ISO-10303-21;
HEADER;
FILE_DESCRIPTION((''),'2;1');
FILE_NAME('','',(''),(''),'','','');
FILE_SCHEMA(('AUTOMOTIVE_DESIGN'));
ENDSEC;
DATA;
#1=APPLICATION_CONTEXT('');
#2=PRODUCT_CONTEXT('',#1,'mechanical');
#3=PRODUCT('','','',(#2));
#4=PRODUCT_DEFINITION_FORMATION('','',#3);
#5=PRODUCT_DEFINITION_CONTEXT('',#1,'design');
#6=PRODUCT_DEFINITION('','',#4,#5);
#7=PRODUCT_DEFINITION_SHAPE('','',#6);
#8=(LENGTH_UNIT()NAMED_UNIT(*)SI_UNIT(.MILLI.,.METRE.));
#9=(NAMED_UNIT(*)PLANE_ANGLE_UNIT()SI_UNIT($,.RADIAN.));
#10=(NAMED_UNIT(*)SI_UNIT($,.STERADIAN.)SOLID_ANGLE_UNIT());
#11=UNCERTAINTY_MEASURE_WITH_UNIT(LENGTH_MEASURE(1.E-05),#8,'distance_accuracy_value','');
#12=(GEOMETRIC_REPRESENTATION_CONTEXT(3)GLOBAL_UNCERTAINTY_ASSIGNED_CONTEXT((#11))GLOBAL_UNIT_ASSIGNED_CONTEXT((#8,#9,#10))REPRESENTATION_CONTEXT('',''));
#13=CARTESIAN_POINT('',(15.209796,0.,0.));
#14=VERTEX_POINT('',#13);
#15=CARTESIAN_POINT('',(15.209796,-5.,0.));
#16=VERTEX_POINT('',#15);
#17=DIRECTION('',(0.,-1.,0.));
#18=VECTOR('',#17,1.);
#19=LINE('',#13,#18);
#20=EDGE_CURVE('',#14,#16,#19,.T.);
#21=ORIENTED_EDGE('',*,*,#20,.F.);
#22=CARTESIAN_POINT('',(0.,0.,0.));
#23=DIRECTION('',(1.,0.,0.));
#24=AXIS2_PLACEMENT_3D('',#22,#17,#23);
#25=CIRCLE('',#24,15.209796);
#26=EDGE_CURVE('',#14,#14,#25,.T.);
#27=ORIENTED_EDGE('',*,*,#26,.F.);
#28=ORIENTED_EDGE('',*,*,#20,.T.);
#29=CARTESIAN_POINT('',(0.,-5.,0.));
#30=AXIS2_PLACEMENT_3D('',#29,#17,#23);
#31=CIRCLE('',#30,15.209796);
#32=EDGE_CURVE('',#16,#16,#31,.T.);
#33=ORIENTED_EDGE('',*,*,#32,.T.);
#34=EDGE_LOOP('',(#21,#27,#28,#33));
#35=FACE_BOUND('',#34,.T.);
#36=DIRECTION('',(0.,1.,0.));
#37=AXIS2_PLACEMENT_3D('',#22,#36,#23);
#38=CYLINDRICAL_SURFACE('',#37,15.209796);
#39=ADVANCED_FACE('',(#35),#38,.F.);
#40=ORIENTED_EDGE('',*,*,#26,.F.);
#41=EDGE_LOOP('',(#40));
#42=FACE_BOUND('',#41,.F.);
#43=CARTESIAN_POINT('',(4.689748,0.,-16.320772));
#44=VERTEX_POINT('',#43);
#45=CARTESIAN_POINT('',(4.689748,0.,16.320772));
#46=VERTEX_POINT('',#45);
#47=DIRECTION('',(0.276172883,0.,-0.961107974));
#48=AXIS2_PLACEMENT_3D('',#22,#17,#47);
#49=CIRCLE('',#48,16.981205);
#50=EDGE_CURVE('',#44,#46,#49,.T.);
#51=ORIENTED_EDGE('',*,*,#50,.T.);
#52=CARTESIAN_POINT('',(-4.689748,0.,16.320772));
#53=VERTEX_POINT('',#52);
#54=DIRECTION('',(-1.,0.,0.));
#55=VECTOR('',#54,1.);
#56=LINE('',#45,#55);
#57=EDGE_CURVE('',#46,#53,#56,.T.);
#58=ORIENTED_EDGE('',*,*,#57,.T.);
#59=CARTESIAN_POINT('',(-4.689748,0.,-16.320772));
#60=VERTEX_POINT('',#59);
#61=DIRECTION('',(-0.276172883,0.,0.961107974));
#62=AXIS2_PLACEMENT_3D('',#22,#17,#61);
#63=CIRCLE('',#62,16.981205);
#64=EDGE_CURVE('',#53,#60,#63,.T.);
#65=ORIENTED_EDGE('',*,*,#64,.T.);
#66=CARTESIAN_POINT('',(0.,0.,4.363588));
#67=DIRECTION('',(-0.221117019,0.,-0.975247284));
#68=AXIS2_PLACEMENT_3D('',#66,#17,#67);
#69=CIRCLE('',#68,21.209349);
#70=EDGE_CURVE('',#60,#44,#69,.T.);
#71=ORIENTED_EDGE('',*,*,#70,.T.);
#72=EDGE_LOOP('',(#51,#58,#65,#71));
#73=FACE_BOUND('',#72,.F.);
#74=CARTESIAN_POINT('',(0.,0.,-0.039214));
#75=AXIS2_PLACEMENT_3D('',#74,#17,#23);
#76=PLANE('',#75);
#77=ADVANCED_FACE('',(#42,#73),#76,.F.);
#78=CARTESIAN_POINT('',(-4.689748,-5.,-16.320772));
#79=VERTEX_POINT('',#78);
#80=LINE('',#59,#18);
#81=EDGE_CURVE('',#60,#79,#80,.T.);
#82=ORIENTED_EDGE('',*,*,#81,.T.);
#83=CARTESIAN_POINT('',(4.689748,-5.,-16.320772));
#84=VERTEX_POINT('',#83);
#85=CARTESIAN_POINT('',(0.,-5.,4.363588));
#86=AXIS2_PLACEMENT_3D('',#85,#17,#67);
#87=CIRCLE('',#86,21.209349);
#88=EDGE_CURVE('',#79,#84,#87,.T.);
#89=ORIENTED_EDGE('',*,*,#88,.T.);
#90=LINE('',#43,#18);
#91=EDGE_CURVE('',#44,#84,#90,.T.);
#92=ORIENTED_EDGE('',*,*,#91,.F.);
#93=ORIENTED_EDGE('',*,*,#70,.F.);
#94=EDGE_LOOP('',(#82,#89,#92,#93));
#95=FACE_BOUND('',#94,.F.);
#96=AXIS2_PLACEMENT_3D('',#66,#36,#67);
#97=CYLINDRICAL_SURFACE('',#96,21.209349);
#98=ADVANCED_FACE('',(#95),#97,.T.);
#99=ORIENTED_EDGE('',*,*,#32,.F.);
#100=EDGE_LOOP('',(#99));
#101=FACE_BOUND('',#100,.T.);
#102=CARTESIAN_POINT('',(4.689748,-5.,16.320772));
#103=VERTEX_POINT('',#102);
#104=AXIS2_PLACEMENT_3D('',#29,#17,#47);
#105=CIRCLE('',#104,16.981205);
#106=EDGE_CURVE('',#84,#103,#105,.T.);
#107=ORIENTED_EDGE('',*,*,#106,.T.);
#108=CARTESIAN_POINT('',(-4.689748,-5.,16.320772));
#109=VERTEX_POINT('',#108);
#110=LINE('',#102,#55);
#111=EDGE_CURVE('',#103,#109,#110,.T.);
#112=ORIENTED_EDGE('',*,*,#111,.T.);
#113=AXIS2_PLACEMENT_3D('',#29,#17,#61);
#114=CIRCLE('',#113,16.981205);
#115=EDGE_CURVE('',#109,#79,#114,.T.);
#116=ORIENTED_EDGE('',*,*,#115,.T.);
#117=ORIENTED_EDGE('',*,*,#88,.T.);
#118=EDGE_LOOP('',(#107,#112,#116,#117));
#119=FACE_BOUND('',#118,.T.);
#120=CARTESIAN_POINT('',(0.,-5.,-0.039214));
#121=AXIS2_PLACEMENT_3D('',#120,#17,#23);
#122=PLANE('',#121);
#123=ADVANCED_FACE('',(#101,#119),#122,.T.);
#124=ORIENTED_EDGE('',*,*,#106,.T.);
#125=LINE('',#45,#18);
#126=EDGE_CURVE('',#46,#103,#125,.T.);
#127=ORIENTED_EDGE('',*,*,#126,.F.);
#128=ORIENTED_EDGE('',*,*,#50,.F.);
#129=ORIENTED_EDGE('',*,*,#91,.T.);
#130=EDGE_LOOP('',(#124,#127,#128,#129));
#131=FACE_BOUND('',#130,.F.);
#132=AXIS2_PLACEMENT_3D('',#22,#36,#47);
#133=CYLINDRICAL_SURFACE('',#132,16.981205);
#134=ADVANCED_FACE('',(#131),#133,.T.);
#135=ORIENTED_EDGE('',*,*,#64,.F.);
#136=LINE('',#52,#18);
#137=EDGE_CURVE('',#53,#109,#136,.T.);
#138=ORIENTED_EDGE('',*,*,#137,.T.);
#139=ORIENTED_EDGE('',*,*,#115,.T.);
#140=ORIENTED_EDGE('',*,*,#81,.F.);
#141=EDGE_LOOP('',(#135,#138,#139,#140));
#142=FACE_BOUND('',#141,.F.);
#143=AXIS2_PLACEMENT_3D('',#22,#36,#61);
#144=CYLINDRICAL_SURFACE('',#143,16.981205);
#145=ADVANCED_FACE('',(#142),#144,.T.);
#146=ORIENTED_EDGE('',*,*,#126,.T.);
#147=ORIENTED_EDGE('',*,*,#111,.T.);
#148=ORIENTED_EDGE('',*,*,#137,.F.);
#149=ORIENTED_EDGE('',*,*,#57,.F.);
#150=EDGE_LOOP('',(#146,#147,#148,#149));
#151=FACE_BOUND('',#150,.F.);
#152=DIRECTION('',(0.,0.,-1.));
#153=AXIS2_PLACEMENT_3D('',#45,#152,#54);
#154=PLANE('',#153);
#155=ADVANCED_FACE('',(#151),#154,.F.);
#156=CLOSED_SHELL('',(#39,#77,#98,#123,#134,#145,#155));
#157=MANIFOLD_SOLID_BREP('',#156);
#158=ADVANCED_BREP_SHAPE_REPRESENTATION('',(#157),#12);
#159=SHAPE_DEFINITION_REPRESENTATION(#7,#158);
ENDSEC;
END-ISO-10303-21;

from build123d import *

# Parameters (mm, degrees)
F0_R     = 15.209796
F1_DEPTH = 5


with BuildPart() as f1:
    # F0 (on Front) → F1 (new body)
    with BuildSketch(Plane.XZ):
        with BuildLine():
            Line((4.689748, 16.320772), (-4.689748, 16.320772))
            ThreePointArc((-4.689748, 16.320772), (-16.981205, 0), (-4.689748, -16.320772))
            ThreePointArc((-4.689748, -16.320772), (0, -16.845761), (4.689748, -16.320772))
            ThreePointArc((4.689748, -16.320772), (16.981205, 0), (4.689748, 16.320772))
        make_face()
        Circle(F0_R, mode=Mode.SUBTRACT)
    extrude(amount=F1_DEPTH)


solid = f1.part
